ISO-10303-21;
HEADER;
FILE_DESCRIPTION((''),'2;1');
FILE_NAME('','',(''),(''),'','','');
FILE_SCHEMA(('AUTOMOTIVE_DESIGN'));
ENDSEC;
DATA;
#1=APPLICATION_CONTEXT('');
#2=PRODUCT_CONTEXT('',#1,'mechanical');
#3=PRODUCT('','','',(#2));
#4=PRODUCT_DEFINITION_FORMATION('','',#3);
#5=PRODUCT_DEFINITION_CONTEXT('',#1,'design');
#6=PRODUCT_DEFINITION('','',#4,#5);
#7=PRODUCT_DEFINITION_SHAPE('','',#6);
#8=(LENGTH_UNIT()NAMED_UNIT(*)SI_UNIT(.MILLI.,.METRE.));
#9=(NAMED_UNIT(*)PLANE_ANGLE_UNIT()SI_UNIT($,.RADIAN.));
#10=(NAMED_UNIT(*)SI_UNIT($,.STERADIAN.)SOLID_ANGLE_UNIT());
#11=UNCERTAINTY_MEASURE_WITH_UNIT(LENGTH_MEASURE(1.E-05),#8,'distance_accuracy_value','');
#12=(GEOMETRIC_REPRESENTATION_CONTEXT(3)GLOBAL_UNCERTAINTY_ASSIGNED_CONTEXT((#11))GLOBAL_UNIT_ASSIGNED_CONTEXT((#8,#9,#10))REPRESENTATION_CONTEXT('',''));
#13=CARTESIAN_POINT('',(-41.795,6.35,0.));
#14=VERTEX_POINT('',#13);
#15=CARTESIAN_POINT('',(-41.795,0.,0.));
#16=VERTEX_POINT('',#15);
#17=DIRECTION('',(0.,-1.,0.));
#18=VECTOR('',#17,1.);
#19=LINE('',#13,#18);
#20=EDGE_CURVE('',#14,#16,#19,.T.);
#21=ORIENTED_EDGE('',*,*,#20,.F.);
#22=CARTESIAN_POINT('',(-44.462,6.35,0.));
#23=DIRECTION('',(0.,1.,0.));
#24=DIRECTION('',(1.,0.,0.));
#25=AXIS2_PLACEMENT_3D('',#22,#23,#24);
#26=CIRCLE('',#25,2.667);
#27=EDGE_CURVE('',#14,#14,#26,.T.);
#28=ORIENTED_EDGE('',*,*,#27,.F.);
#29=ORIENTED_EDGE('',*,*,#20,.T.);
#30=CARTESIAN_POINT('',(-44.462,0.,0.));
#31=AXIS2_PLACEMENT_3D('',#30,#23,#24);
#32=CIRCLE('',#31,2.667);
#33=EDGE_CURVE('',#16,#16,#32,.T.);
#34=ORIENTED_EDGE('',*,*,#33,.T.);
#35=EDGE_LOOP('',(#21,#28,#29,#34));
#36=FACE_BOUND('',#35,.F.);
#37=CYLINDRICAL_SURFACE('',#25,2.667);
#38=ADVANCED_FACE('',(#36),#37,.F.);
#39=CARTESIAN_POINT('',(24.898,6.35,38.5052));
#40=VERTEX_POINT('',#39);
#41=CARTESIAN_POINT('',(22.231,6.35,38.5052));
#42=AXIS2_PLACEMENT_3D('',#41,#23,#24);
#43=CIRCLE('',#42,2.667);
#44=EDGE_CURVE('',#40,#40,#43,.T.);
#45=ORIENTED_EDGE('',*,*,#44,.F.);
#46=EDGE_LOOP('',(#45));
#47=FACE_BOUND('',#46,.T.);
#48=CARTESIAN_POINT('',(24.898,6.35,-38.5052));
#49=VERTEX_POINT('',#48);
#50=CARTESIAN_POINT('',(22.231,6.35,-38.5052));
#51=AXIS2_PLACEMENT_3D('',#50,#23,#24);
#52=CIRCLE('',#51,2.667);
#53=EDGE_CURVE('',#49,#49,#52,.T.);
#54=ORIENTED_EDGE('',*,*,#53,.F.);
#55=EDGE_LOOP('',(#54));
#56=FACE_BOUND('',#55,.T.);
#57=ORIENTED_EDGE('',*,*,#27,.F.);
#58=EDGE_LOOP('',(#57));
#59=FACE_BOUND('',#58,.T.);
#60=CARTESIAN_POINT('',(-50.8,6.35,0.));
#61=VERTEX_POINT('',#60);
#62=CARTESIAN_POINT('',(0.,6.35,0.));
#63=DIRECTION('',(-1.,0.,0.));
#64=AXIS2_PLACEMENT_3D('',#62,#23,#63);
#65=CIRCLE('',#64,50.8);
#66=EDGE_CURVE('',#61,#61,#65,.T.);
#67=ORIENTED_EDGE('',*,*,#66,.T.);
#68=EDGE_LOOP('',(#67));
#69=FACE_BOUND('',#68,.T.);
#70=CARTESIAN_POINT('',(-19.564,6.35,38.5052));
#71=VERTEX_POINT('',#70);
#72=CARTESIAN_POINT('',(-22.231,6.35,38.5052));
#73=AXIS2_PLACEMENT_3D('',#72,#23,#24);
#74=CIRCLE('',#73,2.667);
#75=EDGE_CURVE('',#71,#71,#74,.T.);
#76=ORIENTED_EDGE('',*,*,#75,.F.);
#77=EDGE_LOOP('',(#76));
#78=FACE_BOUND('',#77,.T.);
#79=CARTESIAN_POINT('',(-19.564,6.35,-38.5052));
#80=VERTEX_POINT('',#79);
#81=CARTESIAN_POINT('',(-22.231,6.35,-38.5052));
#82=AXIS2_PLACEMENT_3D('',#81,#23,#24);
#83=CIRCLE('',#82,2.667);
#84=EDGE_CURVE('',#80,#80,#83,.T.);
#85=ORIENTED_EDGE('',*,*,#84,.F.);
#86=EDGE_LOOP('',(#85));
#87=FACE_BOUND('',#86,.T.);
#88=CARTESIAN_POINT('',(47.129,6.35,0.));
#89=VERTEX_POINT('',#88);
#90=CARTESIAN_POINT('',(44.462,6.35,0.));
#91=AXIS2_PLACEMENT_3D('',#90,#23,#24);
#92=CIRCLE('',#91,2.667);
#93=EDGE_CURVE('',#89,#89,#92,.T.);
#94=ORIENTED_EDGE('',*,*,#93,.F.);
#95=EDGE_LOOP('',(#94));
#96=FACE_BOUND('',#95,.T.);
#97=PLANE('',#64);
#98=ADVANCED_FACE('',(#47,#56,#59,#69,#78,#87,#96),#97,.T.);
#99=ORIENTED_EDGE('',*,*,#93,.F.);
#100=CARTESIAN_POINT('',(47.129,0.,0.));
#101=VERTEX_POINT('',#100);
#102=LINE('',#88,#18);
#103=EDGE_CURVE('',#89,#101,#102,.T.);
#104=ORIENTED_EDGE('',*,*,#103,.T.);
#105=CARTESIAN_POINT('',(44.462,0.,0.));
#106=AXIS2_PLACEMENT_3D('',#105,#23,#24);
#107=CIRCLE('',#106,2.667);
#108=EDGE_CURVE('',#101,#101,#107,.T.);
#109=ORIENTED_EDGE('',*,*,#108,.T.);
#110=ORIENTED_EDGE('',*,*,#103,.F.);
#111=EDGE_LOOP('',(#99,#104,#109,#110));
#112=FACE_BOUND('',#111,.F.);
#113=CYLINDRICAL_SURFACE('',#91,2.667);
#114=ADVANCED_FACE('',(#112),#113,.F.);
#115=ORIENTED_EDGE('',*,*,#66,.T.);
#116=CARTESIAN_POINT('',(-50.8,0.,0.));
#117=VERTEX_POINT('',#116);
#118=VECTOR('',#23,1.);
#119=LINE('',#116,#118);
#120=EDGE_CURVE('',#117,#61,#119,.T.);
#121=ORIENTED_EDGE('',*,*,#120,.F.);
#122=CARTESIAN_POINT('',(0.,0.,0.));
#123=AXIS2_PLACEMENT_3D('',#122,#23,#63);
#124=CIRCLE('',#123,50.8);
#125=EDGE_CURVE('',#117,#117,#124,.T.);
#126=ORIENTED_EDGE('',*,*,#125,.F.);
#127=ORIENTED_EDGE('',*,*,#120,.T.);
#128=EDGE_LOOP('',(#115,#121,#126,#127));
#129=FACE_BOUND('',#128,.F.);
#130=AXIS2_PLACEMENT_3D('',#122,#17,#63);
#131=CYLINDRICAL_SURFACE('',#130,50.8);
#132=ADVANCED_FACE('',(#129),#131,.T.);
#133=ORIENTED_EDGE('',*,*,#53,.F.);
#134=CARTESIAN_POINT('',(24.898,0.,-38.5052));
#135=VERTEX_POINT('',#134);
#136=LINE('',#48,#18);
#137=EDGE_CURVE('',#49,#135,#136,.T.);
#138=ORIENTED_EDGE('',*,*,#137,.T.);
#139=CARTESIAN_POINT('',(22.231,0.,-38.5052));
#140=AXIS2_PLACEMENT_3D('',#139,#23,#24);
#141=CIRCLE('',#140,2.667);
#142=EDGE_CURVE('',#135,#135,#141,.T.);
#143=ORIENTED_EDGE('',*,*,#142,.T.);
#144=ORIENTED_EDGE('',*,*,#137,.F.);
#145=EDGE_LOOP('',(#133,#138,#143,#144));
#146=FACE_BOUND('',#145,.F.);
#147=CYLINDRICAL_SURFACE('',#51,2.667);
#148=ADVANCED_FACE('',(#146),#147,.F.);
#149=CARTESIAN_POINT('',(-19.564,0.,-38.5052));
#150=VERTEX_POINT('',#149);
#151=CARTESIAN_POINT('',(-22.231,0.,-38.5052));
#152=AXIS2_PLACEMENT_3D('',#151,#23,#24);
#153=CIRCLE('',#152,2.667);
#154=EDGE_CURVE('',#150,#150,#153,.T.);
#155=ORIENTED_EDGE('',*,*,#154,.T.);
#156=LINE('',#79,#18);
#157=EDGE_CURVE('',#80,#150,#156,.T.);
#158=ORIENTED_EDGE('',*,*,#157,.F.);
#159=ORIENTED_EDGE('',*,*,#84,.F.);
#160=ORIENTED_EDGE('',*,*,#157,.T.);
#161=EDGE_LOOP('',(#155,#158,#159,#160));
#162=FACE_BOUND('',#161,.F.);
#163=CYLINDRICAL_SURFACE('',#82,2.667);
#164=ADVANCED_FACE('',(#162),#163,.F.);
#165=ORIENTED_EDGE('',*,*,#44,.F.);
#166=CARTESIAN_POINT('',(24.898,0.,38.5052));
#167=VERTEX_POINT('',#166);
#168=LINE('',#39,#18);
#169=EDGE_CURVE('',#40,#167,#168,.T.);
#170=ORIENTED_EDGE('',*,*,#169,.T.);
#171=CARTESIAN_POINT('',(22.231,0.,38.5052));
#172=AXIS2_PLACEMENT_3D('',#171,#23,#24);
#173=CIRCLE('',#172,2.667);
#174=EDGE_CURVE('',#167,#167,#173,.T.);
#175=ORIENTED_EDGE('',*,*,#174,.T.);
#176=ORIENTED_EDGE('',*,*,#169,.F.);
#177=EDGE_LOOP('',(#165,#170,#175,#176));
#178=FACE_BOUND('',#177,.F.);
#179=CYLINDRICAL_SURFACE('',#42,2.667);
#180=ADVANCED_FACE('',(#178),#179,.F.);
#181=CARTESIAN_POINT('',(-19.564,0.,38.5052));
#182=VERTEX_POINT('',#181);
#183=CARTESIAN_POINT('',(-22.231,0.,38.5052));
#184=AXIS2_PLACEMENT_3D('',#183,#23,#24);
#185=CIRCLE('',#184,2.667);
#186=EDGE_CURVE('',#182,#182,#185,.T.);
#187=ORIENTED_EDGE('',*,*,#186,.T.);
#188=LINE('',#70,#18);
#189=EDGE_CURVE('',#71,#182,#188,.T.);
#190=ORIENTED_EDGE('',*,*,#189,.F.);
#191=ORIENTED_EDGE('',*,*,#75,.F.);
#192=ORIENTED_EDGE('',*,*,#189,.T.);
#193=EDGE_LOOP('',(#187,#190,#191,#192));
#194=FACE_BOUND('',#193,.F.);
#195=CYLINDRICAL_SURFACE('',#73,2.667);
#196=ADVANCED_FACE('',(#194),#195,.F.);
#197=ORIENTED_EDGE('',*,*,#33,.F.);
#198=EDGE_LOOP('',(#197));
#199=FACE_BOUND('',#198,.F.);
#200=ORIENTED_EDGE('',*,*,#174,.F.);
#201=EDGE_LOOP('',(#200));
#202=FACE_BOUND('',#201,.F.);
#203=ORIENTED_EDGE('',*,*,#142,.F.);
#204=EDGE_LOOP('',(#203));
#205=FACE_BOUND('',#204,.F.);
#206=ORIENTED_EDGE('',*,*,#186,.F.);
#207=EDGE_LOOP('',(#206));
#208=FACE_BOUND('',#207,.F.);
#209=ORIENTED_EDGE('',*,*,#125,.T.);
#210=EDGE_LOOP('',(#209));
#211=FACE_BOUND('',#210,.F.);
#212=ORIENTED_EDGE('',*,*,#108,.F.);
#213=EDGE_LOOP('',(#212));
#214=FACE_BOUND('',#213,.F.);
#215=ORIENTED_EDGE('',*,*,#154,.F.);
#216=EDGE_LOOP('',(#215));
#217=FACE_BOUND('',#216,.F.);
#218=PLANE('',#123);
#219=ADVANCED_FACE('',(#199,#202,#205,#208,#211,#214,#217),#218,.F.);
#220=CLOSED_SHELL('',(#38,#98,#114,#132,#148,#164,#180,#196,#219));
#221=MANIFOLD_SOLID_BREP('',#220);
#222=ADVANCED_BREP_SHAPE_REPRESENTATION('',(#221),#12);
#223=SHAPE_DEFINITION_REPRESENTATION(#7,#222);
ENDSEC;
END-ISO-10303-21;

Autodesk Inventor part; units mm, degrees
ref_plane "YZ Plane" through (0, 0, 0) normal (1, 0, 0) x (0, 1, 0)
ref_plane "XZ Plane" through (0, 0, 0) normal (0, 1, 0) x (-1, 0, 0)
ref_plane "XY Plane" through (0, 0, 0) normal (0, 0, 1) x (1, 0, 0)
sketch "Sketch4" plane through (0, 0, 0) normal (0, 1, 0) x (-1, 0, 0)
  circle A0 centre (0, 0) radius 50.8
  dimension "d2" = 101.6
extrude "Extrusion3" add sketch "Sketch4" along normal blind 6.35
sketch "Sketch10" plane through (0, 6.35, 0) normal (0, 1, 0) x (1, 0, 0)
  circle A0 centre (-44.462, 0) radius 2.667
  circle A1 centre (-22.231, -38.5052) radius 2.667
  circle A2 centre (22.231, -38.5052) radius 2.667
  circle A3 centre (44.462, 0) radius 2.667
  circle A4 centre (22.231, 38.5052) radius 2.667
  circle A5 centre (-22.231, 38.5052) radius 2.667
  point P0 (0, 0)
  dimension "d48" = 5.334
  dimension "d51" = 360
extrude "Extrusion6" cut sketch "Sketch10" against normal blind 6.35
properties part number "cap"
